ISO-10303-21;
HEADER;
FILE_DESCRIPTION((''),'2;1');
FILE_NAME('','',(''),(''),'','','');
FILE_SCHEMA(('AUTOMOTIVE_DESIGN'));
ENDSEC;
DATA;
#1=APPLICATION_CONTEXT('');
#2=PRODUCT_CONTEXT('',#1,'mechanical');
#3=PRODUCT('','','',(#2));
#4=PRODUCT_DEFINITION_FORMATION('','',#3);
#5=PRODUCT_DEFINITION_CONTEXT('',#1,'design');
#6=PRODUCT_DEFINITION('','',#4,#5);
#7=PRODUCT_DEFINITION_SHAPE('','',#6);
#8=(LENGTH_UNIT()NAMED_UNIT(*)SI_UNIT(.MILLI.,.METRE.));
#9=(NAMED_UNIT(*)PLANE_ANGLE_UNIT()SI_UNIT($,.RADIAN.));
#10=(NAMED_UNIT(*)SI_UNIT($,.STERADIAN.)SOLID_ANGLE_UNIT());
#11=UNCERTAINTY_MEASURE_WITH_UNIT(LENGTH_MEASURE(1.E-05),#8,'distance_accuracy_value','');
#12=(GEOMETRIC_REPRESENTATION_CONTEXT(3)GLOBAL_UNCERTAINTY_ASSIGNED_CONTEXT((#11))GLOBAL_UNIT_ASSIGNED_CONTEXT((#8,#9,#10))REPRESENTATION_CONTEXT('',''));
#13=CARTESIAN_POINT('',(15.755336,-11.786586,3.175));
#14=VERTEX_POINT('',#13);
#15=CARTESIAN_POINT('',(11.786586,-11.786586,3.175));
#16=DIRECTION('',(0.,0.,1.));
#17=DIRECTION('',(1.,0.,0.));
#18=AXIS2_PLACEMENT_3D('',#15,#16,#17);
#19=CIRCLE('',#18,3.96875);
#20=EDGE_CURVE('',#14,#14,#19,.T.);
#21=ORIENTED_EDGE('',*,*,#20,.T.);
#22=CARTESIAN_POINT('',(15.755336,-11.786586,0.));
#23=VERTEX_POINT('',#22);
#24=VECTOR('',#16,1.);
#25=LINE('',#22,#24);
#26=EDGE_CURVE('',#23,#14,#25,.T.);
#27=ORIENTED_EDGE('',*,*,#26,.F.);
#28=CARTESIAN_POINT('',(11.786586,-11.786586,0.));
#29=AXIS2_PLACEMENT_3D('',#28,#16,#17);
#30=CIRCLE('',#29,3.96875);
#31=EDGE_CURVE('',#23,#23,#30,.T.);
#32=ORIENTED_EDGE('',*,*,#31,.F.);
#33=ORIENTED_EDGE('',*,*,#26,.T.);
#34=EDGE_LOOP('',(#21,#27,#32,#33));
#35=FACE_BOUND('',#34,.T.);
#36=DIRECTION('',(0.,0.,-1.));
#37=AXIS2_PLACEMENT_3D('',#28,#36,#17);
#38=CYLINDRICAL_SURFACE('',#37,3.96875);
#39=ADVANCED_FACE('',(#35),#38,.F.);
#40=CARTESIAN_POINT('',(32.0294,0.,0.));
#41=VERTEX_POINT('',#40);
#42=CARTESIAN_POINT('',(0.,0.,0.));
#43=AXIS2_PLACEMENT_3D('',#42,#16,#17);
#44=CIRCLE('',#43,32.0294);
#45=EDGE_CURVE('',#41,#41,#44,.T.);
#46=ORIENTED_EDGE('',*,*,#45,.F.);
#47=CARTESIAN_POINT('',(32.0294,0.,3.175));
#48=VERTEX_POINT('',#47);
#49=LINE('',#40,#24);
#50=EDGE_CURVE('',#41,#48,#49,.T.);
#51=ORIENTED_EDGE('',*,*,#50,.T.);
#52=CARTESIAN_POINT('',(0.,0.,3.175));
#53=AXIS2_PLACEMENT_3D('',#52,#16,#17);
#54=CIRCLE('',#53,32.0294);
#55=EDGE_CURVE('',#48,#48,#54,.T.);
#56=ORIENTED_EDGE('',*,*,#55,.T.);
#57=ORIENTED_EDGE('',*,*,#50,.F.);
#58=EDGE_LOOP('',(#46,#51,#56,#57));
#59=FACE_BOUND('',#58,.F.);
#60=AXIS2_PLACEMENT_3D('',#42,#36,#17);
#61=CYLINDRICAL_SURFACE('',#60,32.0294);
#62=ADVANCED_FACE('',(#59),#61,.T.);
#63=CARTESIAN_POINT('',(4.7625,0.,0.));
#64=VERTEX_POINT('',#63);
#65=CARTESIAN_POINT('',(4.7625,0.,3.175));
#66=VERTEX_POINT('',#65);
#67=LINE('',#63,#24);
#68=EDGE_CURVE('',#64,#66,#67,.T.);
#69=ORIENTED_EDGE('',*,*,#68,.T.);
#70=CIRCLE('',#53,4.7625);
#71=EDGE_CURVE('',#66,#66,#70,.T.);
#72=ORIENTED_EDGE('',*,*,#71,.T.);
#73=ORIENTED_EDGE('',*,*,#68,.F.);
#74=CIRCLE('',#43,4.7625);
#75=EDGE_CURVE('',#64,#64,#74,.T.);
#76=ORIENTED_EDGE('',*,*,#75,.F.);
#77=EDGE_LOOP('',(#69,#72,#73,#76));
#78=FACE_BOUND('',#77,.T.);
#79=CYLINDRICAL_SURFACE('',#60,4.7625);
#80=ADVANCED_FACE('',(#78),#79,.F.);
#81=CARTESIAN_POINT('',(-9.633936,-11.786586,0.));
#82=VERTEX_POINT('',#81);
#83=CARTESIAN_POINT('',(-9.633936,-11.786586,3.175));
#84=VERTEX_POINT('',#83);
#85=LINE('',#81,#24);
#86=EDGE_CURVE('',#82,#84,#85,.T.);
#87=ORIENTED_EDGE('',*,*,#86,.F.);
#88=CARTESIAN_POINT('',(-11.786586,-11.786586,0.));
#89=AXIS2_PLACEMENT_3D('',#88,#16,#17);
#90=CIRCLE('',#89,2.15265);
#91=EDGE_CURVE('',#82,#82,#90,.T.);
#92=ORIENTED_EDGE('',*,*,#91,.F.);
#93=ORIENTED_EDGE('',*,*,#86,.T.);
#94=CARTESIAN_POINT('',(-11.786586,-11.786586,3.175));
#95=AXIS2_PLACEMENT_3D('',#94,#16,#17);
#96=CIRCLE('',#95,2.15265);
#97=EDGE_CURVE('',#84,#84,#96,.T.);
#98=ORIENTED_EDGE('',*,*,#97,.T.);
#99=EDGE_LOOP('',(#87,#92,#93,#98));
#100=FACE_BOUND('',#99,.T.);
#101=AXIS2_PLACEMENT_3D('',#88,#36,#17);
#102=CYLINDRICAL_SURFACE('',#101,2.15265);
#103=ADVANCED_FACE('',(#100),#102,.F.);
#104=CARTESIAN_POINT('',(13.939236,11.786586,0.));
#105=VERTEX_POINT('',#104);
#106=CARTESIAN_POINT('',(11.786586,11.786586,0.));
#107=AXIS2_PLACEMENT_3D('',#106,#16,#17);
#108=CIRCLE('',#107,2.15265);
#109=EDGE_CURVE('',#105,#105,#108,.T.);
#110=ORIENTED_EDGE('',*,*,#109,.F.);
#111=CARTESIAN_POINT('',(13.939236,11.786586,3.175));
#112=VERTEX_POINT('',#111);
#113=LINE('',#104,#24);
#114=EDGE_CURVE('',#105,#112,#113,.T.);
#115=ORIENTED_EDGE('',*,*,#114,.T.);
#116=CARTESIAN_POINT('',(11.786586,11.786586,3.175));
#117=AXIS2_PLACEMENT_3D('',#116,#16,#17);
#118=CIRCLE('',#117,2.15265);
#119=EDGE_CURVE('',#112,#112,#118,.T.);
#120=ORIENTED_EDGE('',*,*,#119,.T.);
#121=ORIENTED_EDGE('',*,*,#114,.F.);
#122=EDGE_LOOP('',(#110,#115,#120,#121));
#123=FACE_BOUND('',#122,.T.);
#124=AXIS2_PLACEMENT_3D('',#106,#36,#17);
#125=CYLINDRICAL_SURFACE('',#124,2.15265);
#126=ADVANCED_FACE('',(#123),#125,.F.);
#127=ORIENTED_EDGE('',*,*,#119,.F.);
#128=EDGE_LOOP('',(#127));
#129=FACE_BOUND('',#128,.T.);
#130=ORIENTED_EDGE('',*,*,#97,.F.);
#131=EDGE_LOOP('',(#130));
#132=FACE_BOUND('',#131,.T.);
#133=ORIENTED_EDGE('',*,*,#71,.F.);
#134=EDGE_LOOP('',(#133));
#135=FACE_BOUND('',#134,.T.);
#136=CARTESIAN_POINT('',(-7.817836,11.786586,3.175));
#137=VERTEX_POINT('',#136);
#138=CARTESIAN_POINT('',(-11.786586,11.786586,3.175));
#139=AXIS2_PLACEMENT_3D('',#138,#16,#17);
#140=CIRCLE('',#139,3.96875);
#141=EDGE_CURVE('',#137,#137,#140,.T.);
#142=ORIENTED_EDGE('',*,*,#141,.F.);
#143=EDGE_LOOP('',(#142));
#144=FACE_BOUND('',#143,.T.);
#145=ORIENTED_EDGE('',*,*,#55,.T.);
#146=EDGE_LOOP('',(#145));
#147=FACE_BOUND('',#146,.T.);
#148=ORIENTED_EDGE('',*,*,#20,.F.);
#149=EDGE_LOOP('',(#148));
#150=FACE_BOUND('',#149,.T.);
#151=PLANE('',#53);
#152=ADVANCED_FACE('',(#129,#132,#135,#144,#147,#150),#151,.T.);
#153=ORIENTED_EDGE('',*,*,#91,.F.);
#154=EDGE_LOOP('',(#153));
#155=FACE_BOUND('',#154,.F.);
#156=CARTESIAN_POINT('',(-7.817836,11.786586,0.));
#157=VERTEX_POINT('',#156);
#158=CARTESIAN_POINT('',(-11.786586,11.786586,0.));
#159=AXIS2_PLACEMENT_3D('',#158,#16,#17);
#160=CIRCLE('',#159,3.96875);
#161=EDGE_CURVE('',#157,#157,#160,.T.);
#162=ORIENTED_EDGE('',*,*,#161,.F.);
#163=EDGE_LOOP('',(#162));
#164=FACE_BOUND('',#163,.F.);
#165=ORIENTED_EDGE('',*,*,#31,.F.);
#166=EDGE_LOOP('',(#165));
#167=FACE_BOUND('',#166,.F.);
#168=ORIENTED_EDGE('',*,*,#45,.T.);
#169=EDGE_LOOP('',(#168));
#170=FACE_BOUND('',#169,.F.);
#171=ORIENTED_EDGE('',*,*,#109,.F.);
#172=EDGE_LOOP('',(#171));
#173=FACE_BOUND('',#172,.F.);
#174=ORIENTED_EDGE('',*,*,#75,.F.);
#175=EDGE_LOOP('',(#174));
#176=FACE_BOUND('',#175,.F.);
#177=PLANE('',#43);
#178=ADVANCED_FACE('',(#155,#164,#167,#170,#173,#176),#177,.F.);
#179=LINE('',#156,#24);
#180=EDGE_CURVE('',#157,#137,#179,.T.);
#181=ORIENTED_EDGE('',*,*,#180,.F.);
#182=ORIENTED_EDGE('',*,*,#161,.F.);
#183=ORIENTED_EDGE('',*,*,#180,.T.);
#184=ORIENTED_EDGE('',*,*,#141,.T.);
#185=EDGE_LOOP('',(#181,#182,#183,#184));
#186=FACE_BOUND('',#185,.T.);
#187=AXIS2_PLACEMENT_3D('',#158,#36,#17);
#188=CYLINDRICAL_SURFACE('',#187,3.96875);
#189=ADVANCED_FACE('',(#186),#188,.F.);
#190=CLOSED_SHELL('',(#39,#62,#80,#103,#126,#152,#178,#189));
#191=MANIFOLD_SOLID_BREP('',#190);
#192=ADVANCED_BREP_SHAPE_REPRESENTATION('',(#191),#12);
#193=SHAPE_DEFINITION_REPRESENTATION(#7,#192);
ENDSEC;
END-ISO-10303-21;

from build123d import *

# Parameters (mm, degrees)
F0_R     = 32.0294
F0_R_2   = 2.15265
F0_R_3   = 3.96875
F0_R_4   = 4.7625
F1_DEPTH = 3.175


with BuildPart() as f1:
    # F0 (on Top) → F1 (new body)
    with BuildSketch(Plane.XY):
        Circle(F0_R)
        with Locations((-11.786586, -11.786586)):
            Circle(F0_R_2, mode=Mode.SUBTRACT)
        with Locations((11.786586, -11.786586)):
            Circle(F0_R_3, mode=Mode.SUBTRACT)
        with Locations((-11.786586, 11.786586)):
            Circle(F0_R_3, mode=Mode.SUBTRACT)
        Circle(F0_R_4, mode=Mode.SUBTRACT)
        with Locations((11.786586, 11.786586)):
            Circle(F0_R_2, mode=Mode.SUBTRACT)
    extrude(amount=F1_DEPTH)


solid = f1.part
